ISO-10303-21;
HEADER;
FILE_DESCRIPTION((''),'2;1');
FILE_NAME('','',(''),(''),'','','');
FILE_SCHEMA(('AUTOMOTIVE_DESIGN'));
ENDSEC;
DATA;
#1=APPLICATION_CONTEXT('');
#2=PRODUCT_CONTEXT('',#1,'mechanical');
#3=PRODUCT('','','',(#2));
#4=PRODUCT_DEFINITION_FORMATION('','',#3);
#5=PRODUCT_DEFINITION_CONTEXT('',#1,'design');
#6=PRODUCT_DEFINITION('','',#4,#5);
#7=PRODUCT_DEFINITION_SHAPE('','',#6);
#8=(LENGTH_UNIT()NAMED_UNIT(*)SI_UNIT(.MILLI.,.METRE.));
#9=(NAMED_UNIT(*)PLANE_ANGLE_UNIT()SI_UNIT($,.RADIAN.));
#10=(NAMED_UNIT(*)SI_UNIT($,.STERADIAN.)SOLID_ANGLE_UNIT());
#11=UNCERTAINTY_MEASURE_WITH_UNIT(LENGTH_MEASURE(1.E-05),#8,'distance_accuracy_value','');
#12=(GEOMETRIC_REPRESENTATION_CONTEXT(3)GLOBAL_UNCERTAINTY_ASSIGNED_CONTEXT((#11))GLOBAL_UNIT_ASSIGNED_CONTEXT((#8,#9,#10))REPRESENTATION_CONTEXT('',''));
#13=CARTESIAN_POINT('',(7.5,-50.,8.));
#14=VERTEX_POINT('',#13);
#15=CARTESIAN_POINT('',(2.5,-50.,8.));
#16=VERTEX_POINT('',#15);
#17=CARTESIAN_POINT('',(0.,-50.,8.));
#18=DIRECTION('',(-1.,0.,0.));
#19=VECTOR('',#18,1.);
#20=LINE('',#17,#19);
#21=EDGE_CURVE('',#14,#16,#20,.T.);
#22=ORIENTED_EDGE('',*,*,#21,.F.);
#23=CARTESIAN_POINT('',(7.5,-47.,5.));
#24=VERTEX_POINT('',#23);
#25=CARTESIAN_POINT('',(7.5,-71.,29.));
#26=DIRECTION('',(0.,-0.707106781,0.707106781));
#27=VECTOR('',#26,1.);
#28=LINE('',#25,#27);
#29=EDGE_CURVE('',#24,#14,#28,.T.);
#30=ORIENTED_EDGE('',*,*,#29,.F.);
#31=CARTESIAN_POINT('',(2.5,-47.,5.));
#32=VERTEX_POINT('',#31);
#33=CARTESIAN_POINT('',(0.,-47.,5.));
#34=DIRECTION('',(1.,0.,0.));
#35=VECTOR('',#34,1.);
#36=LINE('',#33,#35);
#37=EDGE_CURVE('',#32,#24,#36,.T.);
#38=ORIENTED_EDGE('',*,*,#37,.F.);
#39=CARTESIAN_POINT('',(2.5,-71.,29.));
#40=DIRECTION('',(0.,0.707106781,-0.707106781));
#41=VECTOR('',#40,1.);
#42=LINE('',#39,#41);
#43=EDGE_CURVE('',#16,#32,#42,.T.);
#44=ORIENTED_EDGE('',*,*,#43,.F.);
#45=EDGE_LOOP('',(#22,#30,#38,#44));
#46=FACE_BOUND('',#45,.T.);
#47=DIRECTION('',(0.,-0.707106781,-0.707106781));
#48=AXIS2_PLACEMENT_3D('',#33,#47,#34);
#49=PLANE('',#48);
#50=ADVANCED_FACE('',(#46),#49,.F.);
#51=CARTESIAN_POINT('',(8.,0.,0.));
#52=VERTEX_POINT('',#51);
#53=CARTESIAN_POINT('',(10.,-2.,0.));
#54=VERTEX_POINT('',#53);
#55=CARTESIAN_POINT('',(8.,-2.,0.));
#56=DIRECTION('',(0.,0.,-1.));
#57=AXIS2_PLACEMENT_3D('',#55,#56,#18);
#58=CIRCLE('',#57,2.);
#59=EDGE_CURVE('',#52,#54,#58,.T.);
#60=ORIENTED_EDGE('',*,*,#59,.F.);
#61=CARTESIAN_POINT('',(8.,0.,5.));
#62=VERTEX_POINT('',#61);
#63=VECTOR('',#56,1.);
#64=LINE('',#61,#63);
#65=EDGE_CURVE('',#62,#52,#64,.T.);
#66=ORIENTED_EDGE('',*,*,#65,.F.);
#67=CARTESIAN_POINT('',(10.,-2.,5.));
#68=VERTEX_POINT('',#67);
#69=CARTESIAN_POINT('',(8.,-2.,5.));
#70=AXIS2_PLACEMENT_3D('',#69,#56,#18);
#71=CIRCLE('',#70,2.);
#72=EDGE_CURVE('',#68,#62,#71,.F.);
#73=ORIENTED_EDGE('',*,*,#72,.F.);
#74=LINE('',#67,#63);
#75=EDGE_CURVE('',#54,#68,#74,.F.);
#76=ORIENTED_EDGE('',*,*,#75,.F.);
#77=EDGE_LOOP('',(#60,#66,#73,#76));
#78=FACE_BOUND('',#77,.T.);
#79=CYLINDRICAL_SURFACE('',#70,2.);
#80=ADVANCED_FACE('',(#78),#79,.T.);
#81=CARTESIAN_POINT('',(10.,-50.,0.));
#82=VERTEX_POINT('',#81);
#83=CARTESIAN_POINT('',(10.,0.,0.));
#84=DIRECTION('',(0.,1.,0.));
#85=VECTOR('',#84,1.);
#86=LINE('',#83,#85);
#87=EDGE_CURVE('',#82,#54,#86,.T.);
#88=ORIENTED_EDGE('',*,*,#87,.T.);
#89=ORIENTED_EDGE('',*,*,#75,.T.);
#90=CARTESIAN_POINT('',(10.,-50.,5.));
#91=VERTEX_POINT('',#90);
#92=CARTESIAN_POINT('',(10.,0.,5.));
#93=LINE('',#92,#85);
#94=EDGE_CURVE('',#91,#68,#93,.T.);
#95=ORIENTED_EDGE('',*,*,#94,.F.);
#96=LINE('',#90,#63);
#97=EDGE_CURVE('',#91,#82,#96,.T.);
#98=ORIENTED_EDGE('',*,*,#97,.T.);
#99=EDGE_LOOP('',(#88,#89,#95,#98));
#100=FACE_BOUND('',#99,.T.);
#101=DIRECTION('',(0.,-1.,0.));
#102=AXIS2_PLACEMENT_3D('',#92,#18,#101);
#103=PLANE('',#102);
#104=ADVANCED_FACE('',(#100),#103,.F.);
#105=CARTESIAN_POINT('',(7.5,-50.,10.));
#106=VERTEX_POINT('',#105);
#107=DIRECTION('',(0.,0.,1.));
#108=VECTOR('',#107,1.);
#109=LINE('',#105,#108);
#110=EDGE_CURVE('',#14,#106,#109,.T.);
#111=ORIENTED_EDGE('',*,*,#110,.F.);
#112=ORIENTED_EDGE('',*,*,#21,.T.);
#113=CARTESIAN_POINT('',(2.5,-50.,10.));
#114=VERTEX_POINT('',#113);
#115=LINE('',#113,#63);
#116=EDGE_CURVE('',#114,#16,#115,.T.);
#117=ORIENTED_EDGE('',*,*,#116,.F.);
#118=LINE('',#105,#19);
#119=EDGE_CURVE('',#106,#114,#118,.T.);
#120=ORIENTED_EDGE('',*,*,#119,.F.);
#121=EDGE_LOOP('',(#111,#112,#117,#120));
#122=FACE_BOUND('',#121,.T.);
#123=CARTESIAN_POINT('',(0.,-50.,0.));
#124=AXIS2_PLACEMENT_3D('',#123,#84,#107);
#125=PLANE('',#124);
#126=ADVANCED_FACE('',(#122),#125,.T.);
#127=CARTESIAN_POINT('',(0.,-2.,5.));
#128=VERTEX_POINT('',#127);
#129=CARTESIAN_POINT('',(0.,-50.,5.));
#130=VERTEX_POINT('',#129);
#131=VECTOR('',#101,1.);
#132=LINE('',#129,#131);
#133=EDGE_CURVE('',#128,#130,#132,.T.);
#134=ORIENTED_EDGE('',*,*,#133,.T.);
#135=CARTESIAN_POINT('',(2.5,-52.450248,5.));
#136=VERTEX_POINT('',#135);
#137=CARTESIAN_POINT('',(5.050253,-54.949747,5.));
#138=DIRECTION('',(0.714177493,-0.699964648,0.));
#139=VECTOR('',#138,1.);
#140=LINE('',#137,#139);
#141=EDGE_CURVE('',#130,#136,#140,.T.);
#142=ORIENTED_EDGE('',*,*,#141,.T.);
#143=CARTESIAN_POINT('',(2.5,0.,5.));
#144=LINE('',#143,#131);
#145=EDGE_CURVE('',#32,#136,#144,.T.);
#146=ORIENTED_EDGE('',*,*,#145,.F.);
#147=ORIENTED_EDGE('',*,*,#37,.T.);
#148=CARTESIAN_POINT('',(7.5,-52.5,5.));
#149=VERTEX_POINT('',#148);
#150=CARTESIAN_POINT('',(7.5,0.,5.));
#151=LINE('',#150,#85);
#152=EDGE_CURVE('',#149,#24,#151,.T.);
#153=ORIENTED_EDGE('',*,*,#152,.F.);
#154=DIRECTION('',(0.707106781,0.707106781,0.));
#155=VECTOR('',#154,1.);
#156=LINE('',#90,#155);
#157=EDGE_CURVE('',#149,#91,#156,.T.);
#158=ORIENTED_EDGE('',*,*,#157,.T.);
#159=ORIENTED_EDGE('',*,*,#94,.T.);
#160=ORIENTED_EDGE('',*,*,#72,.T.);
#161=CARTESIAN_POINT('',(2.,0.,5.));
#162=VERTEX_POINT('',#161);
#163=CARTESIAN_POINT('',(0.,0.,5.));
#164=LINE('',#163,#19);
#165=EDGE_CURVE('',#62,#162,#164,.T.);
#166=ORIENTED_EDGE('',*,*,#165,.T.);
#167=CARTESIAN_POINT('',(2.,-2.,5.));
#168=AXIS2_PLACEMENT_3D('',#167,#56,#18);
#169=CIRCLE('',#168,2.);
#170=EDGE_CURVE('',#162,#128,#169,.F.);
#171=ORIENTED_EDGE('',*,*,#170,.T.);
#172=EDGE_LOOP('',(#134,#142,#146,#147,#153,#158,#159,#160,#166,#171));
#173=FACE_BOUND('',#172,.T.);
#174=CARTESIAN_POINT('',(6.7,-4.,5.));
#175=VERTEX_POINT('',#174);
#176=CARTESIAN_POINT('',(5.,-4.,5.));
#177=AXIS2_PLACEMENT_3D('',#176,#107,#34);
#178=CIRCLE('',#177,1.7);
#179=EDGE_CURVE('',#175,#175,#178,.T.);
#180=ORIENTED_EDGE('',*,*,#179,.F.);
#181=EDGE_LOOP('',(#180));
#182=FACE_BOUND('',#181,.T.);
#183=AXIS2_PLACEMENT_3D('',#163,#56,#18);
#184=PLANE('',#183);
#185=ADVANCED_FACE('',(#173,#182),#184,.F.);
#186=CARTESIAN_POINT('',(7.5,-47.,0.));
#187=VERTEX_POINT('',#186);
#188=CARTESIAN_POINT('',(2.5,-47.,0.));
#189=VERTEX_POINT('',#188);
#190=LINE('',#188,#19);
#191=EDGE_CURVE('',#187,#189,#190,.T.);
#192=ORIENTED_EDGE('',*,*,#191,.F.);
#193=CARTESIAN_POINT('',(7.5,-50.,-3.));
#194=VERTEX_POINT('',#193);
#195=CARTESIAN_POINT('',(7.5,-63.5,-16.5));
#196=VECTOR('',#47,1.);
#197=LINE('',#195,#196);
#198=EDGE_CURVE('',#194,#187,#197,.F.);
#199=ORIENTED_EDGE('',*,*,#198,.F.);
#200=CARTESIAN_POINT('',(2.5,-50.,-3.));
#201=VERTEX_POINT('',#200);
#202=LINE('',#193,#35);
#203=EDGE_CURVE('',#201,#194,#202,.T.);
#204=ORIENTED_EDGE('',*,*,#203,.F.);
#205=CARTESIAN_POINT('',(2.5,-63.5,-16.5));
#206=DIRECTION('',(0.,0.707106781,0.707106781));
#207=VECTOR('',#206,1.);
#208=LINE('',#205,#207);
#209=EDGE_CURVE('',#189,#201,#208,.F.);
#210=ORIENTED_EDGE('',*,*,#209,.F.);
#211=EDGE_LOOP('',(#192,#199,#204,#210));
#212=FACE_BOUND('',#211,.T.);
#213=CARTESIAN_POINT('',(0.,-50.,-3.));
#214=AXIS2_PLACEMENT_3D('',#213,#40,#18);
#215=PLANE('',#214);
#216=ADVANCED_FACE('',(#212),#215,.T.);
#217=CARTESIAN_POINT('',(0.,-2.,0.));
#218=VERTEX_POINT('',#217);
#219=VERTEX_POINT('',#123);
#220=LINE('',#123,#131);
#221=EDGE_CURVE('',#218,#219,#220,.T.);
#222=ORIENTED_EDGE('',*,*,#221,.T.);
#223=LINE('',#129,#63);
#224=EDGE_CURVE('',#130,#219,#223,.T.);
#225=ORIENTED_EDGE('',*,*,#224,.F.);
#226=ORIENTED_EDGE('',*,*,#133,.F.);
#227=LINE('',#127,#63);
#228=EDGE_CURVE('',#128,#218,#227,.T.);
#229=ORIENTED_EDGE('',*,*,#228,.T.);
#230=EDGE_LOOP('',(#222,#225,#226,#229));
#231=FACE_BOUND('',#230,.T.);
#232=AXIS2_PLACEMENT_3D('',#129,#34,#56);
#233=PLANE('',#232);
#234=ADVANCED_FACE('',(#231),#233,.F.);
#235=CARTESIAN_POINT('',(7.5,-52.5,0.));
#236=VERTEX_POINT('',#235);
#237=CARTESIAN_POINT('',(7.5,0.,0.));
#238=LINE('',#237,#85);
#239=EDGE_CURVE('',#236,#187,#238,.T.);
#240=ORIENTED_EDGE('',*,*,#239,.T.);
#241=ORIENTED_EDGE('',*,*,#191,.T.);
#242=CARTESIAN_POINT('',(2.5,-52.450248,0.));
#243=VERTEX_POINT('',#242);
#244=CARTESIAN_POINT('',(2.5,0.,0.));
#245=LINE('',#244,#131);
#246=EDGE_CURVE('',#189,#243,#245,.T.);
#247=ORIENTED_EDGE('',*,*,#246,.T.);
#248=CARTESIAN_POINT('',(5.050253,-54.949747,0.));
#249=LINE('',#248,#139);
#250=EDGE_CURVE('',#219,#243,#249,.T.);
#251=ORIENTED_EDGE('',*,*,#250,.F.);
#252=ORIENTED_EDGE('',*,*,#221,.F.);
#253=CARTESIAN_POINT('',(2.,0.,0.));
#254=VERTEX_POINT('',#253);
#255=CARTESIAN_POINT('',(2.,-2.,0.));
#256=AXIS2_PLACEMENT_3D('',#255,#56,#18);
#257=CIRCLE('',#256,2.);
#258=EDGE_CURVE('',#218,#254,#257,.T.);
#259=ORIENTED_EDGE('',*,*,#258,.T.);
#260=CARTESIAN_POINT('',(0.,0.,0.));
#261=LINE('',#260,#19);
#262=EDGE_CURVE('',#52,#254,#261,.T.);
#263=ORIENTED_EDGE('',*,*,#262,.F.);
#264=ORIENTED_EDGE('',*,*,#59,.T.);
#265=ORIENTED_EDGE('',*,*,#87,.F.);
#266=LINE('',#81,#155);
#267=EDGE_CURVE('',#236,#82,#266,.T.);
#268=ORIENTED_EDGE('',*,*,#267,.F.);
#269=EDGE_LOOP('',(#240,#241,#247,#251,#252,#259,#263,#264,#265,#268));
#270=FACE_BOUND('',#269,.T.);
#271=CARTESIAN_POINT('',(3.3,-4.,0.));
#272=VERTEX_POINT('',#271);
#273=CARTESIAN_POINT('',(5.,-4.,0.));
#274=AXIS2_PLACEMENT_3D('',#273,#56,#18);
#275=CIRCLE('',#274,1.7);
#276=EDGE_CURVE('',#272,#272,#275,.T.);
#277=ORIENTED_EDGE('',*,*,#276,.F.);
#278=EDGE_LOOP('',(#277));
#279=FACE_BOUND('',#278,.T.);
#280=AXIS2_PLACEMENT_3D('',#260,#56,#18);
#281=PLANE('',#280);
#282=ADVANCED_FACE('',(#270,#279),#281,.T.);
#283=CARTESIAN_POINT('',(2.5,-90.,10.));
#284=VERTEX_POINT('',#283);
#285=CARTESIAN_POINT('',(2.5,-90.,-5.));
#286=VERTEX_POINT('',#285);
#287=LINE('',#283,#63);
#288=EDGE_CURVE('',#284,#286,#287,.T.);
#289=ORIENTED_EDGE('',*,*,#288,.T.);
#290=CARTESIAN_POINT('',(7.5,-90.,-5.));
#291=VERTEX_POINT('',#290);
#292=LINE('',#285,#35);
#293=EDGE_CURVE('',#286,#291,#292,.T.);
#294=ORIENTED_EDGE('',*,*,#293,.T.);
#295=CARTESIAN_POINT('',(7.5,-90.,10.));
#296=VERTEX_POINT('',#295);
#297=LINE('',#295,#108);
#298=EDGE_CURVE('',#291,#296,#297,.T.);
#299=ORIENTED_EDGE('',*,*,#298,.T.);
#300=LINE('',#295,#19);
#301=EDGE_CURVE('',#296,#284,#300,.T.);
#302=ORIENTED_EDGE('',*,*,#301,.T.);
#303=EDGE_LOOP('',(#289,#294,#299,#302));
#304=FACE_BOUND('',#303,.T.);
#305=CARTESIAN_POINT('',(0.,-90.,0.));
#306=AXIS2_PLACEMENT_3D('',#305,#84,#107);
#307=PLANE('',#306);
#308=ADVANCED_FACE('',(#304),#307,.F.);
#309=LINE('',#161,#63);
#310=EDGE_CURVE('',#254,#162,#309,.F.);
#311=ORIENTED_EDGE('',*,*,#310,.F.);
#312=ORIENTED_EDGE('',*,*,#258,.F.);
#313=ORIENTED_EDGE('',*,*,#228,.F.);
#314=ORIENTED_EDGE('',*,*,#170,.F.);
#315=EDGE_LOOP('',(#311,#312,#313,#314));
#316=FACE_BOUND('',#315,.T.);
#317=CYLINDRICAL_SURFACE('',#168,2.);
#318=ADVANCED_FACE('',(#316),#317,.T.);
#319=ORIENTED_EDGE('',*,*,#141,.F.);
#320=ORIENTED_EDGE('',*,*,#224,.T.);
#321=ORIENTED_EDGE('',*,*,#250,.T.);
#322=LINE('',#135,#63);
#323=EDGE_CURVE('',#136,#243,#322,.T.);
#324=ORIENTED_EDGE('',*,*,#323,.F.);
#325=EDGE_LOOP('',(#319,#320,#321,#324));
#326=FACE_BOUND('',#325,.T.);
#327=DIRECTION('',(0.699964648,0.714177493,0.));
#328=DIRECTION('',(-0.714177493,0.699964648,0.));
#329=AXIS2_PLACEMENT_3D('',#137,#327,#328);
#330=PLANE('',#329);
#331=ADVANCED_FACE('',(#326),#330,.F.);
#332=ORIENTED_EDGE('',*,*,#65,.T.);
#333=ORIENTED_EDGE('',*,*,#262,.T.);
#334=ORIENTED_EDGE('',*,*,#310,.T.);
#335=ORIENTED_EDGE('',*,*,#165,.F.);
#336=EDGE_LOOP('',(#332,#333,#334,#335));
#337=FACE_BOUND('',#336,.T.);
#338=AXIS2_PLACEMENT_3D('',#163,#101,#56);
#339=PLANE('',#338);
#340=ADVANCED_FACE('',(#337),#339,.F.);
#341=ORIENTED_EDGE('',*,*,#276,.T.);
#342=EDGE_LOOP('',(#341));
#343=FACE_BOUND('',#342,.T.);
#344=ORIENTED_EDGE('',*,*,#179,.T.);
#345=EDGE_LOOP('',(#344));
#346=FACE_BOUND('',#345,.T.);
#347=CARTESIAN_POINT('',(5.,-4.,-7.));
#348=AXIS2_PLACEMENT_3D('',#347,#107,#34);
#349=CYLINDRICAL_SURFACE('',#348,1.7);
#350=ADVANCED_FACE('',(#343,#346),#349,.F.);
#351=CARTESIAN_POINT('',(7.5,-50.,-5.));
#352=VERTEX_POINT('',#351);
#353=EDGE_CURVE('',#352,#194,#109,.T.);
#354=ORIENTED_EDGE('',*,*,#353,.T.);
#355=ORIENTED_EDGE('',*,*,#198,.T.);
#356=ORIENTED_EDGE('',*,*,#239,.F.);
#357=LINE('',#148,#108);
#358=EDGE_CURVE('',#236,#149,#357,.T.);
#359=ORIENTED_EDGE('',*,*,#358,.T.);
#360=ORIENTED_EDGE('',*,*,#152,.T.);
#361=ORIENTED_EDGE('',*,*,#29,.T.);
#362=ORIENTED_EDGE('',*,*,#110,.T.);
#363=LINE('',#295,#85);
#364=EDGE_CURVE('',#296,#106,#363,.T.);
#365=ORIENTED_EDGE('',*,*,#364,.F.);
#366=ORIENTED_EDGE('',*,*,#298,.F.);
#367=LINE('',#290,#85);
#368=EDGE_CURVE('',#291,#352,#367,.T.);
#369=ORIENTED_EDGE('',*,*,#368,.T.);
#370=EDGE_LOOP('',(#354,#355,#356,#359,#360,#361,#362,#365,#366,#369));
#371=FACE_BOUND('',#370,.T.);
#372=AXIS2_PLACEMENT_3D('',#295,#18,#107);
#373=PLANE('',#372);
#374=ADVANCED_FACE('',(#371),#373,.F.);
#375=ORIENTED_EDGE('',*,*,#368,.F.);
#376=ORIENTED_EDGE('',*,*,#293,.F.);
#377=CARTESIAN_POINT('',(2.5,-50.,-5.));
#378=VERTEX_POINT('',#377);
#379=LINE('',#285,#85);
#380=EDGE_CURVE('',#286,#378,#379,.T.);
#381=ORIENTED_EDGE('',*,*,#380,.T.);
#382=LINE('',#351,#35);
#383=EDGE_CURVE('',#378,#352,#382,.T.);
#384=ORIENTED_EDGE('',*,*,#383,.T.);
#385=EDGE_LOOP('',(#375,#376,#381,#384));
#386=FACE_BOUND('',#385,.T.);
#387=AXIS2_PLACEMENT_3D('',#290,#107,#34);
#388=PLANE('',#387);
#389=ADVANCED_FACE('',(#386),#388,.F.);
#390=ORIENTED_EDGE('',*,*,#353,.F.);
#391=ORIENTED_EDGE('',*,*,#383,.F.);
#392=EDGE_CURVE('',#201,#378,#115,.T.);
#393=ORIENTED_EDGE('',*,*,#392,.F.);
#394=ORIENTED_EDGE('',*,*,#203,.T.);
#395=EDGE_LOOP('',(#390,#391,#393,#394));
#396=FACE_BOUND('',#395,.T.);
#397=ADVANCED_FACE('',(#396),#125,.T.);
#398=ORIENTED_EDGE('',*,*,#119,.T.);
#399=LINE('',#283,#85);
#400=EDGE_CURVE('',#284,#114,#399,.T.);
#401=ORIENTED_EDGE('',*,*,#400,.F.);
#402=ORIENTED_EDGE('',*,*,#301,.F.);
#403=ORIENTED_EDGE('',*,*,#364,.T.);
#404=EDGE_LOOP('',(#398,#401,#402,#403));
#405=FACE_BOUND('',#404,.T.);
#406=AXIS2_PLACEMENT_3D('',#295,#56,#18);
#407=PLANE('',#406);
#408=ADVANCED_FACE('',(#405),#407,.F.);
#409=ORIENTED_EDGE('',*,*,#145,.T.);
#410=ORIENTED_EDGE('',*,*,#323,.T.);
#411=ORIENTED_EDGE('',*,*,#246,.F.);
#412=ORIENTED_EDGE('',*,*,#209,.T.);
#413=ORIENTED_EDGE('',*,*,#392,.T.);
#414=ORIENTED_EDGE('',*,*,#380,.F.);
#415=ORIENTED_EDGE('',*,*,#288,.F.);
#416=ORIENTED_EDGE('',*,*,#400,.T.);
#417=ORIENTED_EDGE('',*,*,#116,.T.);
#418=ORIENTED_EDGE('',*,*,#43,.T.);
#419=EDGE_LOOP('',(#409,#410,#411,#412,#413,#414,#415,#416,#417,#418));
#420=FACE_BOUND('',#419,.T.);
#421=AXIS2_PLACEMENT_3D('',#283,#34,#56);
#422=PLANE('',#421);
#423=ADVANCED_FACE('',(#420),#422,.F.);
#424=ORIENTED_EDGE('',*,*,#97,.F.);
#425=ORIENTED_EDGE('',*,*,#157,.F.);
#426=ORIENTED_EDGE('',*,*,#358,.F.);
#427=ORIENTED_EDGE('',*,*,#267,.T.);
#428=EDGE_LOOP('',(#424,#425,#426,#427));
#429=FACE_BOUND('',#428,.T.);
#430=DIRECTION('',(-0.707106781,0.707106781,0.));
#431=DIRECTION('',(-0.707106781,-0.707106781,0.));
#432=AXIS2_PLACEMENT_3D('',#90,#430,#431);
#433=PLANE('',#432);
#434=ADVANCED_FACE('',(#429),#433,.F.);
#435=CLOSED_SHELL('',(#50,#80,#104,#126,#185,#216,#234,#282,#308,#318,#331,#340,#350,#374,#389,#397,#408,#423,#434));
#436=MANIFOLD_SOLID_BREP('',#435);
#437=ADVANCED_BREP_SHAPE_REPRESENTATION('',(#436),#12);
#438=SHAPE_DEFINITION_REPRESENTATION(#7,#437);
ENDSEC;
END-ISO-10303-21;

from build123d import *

# Parameters (mm, degrees)
Y_KSEKLIK_EKSTR_ZYON1_DEPTH = 5
RADYUS1_R                   = 2
IZIM2_R                     = 1.7
KES_EKSTR_ZYON1_DEPTH       = 12
Y_KSEKLIK_EKSTR_ZYON2_DEPTH = 40
PAH1_SIZE                   = 3


with BuildPart() as part:
    # Çizim1 → Yükseklik-Ekstrüzyon1 (new body)
    with BuildSketch(Plane.XY):
        Polygon((0, 0), (10, 0), (10, -50), (5.050252532, -54.949747468), (0, -50), align=None)
    extrude(amount=Y_KSEKLIK_EKSTR_ZYON1_DEPTH)

    # Radyus1
    radyus1_edges = [part.edges().sort_by_distance(p)[0] for p in [
        (0, 0, 2.5),
        (10, 0, 2.5),
    ]]
    fillet(radyus1_edges, radius=RADYUS1_R)

    # Çizim2 → Kes-Ekstrüzyon1 (cut)
    with BuildSketch(Plane.XY.offset(5)):
        with Locations((5, -4)):
            Circle(IZIM2_R)
    extrude(amount=-KES_EKSTR_ZYON1_DEPTH, mode=Mode.SUBTRACT)

    # Çizim3 → Yükseklik-Ekstrüzyon2 (add)
    with BuildSketch(Plane.XZ.offset(50)):
        Polygon((7.5, 10), (2.5, 10), (2.5, -5), (3.3, -5), (7.5, -5), align=None)
    extrude(amount=Y_KSEKLIK_EKSTR_ZYON2_DEPTH)

    # Pah1
    pah1_edges = [part.edges().sort_by_distance(p)[0] for p in [
        (5, -50, 0),
        (5, -50, 5),
    ]]
    chamfer(pah1_edges, length=PAH1_SIZE)


solid = part.part
